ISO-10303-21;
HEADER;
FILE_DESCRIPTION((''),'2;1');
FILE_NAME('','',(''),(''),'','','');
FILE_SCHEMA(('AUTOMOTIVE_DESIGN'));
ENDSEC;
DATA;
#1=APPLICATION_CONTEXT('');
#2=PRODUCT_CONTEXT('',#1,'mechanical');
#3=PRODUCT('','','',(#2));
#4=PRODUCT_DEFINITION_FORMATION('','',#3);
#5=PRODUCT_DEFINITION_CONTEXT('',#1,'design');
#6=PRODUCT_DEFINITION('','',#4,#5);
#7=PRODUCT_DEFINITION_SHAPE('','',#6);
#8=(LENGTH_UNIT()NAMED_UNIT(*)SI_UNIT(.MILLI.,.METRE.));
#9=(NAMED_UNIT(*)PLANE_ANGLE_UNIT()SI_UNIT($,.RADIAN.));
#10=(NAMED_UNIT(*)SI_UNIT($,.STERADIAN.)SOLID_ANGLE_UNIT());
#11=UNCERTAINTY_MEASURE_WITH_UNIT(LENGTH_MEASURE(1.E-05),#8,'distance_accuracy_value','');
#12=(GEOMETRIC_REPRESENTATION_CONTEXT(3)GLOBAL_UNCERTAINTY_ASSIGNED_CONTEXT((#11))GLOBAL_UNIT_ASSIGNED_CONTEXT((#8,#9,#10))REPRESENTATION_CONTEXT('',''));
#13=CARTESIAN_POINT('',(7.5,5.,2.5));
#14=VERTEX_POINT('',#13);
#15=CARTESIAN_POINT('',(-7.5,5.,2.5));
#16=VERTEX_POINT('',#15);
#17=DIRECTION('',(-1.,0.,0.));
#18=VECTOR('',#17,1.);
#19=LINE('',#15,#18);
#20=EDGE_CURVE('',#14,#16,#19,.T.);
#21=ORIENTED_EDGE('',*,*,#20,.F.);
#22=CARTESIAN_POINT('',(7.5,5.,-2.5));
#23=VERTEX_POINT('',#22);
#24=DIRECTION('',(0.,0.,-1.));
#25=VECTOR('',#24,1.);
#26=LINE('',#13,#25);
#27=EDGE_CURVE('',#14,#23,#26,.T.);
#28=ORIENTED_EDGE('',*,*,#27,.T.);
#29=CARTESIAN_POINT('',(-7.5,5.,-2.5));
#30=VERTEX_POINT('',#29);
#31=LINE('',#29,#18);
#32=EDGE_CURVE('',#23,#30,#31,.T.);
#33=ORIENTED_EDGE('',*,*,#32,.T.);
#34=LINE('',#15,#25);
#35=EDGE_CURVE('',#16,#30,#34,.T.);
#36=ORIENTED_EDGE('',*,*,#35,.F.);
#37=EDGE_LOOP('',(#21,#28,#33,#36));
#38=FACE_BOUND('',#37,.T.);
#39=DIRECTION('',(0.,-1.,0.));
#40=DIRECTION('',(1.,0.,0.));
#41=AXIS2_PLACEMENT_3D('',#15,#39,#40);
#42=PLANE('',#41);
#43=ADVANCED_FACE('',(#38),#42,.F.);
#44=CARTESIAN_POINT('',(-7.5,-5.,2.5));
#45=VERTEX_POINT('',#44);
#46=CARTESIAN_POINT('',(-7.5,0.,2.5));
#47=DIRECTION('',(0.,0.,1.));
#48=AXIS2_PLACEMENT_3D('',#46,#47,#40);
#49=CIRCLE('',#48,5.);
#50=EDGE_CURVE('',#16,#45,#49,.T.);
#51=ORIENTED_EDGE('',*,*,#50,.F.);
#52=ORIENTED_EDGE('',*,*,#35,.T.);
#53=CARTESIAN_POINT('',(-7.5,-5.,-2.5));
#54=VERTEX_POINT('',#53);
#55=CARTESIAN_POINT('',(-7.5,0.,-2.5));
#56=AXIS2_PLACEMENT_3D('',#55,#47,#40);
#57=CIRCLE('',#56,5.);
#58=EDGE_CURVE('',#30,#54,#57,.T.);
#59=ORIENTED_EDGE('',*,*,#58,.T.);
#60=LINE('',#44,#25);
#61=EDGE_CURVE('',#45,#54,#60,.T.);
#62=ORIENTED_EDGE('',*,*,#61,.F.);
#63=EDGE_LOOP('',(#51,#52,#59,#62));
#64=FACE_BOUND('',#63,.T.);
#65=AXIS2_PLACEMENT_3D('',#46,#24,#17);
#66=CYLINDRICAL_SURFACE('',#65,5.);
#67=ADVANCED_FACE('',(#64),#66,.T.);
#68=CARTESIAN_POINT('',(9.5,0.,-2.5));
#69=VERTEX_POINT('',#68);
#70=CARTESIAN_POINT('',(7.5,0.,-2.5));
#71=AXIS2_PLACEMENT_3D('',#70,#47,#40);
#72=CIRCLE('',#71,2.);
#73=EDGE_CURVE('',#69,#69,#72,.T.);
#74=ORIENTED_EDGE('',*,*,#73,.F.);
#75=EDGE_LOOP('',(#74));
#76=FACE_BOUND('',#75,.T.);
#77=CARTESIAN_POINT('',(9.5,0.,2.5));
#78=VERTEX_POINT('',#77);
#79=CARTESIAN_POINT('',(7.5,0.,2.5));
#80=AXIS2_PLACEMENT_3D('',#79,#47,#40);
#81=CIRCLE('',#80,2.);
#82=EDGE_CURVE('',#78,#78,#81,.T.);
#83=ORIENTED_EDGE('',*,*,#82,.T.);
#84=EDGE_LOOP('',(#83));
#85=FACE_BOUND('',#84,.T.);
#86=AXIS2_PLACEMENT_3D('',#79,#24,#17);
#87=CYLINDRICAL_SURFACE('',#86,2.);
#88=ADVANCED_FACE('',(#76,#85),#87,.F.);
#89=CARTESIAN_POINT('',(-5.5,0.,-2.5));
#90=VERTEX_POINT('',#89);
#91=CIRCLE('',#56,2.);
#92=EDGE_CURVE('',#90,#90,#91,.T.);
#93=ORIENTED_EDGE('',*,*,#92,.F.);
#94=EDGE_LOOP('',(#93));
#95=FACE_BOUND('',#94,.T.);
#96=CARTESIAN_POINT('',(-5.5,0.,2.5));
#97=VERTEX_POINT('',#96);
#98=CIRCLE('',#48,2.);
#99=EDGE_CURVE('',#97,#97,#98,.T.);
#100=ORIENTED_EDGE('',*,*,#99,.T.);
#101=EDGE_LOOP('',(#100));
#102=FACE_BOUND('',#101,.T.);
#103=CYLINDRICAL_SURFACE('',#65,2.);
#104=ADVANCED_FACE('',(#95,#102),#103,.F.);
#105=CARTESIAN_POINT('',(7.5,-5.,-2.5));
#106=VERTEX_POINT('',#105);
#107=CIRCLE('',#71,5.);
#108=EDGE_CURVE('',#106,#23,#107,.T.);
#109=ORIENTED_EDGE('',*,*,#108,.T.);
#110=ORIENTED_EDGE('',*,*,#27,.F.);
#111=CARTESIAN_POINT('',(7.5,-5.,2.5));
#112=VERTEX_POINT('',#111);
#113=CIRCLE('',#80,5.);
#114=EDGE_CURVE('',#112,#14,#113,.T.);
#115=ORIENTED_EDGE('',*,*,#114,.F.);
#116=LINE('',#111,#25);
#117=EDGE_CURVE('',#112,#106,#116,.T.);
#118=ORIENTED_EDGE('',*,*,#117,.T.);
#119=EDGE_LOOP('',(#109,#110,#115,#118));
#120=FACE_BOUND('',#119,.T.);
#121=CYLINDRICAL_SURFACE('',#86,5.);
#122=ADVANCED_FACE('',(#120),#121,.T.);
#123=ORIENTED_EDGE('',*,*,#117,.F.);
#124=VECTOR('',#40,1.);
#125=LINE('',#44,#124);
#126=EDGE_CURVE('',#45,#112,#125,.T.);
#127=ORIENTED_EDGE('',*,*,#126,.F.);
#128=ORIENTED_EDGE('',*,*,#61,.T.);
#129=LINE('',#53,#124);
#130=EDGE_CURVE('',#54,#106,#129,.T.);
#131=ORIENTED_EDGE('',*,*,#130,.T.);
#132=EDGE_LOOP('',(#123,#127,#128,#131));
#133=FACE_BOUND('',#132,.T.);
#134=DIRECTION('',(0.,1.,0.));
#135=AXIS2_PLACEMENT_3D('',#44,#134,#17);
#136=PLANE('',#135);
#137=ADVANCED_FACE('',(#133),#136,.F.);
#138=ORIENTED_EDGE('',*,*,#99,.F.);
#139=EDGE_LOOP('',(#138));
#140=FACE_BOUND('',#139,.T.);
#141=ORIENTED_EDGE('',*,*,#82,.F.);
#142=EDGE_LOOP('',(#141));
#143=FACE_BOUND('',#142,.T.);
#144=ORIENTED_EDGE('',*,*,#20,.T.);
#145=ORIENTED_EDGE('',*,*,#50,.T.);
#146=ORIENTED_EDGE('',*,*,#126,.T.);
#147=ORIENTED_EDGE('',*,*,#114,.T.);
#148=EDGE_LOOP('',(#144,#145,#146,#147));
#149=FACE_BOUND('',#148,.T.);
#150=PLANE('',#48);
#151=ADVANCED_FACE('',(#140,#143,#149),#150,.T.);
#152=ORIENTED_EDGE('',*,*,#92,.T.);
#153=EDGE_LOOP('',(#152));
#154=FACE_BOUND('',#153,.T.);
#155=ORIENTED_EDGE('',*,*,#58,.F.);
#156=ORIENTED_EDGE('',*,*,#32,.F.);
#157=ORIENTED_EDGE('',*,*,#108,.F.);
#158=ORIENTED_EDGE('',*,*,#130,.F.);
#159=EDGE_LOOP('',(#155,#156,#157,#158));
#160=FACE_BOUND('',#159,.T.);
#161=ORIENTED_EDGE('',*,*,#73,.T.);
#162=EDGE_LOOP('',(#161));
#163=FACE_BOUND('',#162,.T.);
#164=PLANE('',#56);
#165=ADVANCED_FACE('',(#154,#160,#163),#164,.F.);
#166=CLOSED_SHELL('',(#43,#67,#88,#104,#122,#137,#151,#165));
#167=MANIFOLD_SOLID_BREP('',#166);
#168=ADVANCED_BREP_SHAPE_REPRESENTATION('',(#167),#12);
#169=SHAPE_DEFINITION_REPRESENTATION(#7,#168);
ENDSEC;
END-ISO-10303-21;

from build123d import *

# Parameters (mm, degrees)
SKETCH_2_R      = 2
EXTRUDE_1_DEPTH = 2.5


with BuildPart() as part:
    # 草圖2 → 填料-伸長1 (new, symmetric)
    with BuildSketch(Plane.XY):
        with BuildLine():
            Line((-7.5, 5), (7.5, 5))
            ThreePointArc((7.5, 5), (12.5, 0), (7.5, -5))
            Line((7.5, -5), (-7.5, -5))
            ThreePointArc((-7.5, -5), (-12.5, 0), (-7.5, 5))
        make_face()
        with Locations((7.5, 0)):
            Circle(SKETCH_2_R, mode=Mode.SUBTRACT)
        with Locations((-7.5, 0)):
            Circle(SKETCH_2_R, mode=Mode.SUBTRACT)
    extrude(amount=EXTRUDE_1_DEPTH, both=True)


solid = part.part
